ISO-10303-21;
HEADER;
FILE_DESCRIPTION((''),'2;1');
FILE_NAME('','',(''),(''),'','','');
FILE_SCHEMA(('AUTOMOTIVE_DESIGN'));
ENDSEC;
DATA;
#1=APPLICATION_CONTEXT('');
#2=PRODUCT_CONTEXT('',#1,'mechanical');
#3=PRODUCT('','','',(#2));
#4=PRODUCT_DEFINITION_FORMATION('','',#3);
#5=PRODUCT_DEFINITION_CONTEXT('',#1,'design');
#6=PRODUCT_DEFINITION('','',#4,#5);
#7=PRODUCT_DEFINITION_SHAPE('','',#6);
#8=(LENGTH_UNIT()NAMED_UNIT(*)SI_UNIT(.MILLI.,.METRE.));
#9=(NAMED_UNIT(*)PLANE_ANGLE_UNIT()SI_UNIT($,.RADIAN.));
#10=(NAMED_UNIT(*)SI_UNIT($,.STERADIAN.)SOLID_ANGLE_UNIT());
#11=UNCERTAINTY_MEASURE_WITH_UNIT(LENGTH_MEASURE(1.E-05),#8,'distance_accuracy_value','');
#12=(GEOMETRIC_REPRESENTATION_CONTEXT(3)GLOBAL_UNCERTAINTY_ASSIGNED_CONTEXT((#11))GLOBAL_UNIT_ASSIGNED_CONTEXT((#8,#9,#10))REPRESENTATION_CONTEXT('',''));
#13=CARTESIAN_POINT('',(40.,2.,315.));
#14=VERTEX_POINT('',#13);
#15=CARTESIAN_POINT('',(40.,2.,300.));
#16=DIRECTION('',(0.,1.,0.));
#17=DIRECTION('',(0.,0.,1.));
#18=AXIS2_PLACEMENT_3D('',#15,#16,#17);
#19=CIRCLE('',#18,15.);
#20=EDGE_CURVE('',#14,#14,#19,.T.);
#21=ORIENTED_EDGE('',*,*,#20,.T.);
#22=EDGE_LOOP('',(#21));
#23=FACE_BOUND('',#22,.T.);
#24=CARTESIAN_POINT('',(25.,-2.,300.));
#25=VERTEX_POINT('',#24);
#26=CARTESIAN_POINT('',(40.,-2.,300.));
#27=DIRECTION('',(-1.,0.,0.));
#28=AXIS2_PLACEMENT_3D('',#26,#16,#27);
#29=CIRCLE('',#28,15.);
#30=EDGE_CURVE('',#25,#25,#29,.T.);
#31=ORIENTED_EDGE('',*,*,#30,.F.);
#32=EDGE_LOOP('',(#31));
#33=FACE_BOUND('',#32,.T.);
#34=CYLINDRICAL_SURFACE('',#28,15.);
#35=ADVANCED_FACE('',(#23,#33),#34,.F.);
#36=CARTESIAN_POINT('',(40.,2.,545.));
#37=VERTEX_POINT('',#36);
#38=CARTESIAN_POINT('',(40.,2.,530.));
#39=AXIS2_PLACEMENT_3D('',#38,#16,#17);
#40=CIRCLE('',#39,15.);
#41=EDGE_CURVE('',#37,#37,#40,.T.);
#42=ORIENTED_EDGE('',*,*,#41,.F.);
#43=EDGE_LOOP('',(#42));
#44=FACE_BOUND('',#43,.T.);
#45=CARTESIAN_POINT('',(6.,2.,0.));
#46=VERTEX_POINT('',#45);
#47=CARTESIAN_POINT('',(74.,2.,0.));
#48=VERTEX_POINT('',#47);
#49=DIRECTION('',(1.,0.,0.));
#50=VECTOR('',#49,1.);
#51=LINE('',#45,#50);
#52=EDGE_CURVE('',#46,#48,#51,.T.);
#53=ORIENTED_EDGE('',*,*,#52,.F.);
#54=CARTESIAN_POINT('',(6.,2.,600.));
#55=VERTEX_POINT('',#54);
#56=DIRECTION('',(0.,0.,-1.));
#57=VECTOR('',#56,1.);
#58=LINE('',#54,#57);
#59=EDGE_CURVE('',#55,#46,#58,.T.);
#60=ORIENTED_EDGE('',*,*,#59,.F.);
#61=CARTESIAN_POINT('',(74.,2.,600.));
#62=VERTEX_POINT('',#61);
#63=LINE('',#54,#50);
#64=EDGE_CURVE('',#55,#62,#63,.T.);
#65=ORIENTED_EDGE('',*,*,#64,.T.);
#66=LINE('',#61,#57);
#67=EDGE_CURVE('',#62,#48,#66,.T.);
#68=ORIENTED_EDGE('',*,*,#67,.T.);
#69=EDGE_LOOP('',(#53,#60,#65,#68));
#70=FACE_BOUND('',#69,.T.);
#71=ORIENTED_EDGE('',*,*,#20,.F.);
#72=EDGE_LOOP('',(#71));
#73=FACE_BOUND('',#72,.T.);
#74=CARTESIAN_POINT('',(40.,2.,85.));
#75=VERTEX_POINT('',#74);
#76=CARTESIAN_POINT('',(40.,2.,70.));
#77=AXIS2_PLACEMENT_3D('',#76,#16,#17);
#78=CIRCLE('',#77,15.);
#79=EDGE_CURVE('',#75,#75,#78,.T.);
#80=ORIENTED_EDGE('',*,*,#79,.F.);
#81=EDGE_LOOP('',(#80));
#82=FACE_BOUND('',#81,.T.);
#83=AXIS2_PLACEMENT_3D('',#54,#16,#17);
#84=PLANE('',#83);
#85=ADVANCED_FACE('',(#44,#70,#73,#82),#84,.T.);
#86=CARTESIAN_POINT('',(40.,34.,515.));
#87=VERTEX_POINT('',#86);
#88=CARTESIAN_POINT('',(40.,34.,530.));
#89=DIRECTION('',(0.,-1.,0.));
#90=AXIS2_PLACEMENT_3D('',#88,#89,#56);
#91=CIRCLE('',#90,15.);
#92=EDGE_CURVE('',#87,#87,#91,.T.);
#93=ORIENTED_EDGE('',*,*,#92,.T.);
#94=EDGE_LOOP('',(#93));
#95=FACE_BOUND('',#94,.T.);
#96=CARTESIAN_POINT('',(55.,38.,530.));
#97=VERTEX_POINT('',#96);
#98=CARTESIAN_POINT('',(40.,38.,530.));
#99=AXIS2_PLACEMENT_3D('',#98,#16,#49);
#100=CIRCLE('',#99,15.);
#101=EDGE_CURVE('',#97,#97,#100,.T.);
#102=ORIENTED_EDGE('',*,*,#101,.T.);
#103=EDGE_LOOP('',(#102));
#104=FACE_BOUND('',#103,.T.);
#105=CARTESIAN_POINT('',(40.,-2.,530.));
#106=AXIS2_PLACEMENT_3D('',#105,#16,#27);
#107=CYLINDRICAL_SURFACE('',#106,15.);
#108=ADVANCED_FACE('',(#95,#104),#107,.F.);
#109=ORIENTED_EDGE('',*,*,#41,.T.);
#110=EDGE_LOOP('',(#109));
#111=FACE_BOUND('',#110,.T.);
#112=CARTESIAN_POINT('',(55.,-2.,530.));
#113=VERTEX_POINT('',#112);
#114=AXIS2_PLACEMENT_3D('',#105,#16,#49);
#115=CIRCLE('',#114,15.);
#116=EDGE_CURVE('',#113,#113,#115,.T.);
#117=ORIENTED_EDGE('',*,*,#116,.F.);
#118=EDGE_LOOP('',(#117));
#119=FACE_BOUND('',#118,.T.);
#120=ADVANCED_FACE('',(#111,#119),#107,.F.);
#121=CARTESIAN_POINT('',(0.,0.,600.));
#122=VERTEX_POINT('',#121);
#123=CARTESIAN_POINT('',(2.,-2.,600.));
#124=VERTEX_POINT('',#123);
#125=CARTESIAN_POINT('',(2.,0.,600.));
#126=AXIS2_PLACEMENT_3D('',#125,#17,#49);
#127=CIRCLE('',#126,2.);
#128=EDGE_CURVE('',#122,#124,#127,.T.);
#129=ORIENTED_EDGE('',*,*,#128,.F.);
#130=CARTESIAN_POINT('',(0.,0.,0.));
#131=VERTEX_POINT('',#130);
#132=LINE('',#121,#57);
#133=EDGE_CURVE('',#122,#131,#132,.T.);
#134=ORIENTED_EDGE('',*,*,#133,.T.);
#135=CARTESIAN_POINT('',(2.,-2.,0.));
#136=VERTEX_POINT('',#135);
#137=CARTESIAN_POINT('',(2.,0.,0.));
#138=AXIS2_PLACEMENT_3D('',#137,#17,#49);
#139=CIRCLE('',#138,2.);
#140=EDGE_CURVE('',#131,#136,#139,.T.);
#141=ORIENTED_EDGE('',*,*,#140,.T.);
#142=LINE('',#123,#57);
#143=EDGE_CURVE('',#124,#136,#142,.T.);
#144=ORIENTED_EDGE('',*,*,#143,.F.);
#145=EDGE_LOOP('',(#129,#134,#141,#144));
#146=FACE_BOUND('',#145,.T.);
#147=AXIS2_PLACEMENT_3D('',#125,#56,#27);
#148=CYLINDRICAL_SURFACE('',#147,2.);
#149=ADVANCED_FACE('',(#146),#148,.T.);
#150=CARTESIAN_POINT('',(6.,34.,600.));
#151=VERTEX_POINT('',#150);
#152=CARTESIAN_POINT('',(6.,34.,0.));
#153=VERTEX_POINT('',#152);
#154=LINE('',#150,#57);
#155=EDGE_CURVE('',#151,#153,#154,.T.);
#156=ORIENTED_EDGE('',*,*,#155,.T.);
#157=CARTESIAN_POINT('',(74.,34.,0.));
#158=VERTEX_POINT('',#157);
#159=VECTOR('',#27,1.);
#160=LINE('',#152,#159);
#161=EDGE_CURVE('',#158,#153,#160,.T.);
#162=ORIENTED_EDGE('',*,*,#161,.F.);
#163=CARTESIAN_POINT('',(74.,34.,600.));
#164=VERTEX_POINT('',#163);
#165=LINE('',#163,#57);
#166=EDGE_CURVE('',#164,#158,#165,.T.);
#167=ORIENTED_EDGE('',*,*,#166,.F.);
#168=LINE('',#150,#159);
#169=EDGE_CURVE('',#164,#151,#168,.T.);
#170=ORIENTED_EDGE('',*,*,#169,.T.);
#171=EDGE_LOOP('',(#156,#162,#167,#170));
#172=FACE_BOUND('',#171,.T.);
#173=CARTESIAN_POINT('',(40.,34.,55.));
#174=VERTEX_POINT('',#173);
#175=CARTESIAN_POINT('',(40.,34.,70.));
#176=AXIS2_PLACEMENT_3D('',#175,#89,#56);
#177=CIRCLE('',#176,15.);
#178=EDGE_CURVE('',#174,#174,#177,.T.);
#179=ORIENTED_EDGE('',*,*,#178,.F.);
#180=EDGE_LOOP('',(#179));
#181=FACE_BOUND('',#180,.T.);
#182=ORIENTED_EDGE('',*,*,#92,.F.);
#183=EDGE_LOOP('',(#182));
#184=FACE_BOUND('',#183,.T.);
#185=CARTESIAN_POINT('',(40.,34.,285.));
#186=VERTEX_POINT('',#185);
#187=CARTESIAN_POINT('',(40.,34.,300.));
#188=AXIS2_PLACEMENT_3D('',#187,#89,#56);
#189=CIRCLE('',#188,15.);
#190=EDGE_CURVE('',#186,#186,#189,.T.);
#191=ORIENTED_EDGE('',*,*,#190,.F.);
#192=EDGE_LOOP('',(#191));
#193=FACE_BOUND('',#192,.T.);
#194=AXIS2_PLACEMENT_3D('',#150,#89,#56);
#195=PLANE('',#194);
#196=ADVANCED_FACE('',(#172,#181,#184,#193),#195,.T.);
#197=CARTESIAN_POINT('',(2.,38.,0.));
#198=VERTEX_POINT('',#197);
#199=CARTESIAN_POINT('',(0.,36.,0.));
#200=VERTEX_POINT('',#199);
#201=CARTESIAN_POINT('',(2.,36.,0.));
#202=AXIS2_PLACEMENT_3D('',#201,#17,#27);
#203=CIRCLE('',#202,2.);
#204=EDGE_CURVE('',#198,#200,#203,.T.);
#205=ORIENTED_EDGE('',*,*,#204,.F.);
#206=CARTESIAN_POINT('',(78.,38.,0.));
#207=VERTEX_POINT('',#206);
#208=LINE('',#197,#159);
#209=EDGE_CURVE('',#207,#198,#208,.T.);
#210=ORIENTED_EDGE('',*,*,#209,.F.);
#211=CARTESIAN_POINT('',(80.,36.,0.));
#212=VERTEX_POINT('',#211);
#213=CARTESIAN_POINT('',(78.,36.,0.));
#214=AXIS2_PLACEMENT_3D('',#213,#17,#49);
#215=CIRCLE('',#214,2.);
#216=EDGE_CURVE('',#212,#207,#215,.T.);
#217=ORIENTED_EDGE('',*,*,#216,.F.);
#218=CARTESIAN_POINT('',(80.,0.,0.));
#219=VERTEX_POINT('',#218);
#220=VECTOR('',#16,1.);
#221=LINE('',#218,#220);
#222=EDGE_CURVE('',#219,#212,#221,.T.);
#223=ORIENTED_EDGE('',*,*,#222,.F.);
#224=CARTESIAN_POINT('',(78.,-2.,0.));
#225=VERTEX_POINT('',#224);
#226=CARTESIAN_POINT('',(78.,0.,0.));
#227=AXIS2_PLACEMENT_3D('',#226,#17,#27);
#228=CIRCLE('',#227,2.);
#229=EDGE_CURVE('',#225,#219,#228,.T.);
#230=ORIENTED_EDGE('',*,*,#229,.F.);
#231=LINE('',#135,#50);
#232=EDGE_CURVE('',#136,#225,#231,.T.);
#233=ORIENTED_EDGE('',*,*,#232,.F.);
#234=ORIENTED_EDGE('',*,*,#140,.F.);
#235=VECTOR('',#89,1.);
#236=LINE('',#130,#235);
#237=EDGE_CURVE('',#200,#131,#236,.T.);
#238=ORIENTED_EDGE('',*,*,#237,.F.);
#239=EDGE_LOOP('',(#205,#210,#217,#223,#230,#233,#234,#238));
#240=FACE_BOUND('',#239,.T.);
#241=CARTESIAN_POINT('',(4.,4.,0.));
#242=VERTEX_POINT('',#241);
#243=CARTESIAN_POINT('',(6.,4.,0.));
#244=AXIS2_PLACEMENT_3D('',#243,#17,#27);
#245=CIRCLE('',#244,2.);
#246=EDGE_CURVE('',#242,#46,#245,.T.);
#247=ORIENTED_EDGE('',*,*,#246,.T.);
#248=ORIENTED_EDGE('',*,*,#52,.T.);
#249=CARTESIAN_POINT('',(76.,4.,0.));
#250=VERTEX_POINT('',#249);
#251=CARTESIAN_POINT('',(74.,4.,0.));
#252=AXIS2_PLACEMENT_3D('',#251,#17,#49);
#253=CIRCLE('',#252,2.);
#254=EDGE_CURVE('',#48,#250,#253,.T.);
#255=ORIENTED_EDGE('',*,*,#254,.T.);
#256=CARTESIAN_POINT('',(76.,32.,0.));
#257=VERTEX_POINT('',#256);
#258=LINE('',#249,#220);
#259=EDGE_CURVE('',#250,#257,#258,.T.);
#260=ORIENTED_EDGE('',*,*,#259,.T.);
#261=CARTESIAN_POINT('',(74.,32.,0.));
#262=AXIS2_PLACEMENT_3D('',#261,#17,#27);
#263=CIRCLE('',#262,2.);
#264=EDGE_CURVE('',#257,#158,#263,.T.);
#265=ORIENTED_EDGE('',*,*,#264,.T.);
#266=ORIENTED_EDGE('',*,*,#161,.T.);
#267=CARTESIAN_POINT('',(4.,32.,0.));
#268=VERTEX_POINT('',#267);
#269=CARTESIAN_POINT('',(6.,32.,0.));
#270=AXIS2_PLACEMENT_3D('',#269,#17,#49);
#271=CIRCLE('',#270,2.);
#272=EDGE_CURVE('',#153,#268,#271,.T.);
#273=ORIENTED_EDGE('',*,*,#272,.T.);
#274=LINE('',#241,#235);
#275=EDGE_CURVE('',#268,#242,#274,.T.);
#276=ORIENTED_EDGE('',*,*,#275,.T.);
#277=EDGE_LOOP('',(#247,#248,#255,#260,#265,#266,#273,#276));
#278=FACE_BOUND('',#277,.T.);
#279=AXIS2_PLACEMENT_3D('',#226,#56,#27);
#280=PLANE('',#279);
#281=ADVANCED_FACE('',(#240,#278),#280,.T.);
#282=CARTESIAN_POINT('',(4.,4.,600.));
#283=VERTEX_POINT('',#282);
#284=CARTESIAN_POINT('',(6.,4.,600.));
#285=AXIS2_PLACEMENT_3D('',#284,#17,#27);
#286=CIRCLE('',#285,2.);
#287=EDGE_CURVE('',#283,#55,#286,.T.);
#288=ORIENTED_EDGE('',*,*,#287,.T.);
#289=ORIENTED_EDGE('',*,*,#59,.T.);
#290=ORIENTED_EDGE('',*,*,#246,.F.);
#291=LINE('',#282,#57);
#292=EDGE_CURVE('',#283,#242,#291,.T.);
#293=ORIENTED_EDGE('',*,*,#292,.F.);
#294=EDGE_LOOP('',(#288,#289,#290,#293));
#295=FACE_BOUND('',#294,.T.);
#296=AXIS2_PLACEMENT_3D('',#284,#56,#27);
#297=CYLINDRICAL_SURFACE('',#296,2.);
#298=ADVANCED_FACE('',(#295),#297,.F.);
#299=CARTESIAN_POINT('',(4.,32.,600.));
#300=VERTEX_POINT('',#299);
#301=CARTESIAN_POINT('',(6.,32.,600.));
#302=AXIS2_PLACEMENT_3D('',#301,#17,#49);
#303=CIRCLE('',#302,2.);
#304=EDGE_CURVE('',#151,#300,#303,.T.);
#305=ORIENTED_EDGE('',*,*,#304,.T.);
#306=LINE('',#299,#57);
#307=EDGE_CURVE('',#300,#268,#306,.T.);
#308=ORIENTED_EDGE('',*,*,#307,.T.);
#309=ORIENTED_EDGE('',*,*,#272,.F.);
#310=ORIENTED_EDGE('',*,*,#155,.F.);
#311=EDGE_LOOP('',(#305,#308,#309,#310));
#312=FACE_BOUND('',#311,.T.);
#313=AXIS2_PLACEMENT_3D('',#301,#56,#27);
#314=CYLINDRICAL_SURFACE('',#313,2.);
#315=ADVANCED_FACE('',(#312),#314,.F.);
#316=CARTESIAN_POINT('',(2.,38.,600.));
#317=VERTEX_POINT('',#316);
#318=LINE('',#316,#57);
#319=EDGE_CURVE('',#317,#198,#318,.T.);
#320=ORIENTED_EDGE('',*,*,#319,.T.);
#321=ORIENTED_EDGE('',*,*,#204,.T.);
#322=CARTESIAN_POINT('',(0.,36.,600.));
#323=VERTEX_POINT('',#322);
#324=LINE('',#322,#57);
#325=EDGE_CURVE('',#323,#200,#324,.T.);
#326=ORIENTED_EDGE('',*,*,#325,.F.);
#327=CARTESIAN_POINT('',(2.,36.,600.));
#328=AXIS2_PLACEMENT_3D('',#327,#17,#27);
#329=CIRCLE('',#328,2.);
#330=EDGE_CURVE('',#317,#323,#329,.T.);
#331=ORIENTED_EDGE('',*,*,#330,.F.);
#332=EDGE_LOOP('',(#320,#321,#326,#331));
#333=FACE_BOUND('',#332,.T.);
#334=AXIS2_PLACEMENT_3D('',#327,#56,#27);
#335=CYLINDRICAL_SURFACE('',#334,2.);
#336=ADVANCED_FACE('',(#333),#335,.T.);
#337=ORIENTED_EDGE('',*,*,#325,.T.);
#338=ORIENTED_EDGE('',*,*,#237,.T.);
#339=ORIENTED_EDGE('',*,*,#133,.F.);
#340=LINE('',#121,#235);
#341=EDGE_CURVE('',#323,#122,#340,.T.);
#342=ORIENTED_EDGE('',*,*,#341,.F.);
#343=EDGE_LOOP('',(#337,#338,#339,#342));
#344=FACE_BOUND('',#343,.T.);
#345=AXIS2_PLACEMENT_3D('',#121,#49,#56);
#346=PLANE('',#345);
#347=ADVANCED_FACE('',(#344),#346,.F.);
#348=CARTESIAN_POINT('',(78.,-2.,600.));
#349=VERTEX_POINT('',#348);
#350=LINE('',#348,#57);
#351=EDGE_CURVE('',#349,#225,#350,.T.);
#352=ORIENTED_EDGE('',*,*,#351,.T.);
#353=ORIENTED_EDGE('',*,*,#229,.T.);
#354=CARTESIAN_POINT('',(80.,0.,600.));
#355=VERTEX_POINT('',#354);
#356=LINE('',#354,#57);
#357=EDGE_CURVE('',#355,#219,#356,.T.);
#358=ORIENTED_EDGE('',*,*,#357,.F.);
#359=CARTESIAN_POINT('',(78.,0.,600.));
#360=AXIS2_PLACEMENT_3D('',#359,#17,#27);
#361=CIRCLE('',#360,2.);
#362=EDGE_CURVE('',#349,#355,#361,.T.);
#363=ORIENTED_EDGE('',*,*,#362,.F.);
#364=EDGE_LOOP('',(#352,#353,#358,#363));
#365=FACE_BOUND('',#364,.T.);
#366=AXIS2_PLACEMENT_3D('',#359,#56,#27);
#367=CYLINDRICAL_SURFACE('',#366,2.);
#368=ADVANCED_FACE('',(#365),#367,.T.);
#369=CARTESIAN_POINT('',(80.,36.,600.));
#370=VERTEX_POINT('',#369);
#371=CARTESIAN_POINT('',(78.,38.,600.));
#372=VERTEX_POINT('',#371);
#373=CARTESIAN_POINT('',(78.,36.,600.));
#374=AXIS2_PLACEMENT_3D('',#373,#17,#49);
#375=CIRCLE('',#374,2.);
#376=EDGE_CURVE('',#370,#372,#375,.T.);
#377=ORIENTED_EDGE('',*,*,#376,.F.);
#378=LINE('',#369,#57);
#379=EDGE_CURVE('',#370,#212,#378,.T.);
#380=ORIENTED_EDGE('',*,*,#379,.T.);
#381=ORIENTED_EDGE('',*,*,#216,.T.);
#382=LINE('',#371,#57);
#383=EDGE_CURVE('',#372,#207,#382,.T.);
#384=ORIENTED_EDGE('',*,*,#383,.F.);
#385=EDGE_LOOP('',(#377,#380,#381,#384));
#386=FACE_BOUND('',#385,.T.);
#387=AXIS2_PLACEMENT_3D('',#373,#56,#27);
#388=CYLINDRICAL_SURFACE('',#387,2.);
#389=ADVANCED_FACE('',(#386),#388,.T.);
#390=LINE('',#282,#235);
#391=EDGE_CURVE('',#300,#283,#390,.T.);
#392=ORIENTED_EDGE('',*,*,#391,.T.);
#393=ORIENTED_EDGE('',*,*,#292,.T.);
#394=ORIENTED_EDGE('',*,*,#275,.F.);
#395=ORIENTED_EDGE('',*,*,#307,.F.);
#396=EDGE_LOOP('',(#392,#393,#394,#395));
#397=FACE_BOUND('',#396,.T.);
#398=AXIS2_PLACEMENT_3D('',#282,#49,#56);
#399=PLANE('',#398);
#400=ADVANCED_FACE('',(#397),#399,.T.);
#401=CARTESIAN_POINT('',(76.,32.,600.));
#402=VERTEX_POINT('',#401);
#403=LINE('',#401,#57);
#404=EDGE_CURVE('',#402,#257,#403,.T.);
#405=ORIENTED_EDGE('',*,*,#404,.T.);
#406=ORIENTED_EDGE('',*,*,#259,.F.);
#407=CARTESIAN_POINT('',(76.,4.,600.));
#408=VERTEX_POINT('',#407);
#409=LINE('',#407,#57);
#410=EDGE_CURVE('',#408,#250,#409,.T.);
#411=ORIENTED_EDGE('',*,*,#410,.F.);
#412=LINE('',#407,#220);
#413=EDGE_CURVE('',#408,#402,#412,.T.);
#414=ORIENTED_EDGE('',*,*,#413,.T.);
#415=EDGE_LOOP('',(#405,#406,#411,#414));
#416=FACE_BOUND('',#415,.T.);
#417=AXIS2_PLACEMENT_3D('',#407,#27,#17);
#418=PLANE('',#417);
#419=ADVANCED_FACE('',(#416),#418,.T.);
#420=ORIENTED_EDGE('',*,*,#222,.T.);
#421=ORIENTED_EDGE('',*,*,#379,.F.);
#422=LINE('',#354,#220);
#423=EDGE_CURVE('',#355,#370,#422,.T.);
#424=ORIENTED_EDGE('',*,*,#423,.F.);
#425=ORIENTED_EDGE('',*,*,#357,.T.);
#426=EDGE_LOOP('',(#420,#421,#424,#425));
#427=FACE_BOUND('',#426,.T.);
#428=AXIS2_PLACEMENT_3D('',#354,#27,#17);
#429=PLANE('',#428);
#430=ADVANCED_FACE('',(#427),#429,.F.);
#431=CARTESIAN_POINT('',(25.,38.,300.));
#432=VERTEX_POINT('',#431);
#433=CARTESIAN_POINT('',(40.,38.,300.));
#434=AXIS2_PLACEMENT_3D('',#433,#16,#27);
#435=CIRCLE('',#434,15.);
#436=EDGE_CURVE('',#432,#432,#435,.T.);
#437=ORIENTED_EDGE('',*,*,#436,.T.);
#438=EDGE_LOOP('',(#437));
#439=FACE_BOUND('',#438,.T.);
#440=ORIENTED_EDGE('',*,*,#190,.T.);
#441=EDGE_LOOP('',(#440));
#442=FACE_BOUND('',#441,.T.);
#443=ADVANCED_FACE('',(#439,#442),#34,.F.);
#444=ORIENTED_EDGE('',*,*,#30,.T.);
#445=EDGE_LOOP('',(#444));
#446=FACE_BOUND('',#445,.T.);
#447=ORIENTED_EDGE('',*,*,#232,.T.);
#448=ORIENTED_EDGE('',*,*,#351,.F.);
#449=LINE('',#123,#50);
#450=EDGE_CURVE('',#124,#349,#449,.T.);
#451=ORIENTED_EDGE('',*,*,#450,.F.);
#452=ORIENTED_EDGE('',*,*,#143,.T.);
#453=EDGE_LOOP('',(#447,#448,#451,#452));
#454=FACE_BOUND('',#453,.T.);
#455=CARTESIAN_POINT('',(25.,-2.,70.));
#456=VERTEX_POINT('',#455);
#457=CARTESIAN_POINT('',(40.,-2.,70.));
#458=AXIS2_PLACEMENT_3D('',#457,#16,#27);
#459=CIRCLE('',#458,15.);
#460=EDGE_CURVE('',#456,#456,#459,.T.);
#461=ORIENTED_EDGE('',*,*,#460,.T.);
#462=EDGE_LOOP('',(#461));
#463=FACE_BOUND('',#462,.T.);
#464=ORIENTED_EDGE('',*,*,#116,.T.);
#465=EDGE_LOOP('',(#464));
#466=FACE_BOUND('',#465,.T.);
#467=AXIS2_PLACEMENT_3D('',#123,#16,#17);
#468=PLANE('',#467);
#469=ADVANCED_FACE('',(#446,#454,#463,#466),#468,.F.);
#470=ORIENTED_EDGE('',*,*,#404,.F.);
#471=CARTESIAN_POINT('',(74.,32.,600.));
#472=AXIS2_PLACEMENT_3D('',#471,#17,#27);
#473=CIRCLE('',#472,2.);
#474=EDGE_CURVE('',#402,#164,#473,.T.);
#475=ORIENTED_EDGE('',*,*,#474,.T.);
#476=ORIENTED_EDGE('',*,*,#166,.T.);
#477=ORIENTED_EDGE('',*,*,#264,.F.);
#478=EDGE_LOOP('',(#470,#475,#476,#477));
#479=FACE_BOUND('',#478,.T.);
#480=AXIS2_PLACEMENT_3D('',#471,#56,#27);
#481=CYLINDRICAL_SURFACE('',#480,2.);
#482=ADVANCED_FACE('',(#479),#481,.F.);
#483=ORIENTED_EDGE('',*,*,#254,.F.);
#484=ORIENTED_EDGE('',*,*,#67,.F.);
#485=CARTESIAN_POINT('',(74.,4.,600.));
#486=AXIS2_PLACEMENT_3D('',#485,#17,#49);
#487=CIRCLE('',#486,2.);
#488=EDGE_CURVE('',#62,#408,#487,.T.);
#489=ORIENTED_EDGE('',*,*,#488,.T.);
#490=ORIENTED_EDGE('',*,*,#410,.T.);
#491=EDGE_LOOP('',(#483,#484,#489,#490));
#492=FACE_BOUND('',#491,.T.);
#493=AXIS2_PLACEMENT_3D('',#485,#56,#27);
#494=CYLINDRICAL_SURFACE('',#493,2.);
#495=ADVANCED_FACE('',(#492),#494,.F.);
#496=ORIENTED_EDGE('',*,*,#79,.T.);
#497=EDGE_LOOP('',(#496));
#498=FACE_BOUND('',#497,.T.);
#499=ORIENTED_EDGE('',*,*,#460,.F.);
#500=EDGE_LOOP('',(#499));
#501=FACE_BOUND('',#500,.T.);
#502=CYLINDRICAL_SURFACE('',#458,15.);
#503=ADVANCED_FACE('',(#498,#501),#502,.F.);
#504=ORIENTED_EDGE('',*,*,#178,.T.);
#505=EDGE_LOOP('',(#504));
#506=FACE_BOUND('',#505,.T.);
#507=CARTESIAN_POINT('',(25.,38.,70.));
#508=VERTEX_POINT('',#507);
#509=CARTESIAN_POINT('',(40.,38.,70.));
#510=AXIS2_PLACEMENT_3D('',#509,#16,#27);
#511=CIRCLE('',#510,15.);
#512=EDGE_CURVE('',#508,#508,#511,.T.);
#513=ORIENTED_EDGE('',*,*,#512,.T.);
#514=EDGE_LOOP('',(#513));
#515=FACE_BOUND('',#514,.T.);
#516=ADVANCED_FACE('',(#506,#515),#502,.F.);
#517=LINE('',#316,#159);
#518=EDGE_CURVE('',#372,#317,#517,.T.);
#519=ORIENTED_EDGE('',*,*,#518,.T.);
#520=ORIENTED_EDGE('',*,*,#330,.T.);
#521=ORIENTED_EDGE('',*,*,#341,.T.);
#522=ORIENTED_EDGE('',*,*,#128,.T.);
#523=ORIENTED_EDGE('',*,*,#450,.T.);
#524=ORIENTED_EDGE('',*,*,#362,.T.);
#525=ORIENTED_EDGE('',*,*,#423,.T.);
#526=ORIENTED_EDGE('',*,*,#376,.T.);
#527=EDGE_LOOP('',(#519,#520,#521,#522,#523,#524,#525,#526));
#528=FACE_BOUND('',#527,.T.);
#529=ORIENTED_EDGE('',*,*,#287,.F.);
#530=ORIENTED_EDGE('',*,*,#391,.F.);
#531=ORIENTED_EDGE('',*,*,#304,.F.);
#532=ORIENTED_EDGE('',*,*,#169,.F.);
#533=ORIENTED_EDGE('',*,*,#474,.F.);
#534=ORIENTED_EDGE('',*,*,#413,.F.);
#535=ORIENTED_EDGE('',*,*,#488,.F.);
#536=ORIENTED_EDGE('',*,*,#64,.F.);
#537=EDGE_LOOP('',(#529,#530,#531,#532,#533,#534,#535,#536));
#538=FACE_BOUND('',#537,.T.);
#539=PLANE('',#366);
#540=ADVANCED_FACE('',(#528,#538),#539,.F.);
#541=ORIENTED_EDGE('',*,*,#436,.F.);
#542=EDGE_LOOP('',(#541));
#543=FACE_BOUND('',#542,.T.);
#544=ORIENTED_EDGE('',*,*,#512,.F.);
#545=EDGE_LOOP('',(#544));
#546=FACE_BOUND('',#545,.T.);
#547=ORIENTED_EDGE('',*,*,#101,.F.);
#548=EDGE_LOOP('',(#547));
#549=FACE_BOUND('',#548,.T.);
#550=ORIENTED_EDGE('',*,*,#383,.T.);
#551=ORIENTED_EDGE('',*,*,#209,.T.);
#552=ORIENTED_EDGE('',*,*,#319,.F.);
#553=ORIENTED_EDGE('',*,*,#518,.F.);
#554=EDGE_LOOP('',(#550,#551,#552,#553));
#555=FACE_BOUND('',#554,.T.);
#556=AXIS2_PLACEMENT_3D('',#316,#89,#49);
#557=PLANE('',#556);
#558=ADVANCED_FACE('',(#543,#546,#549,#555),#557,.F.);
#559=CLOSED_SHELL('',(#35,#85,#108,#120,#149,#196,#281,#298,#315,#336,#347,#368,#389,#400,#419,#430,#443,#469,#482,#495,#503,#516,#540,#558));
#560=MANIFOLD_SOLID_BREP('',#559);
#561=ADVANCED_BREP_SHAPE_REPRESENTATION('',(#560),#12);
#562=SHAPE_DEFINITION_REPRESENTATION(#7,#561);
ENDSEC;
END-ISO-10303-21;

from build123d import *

# Parameters (mm, degrees)
BOSS_EXTRU_1_DEPTH      = 600
ESQUISSE2_R             = 15
ENL_V_MAT_EXTRU_1_DEPTH = 607.630035524


with BuildPart() as part:
    # Esquisse1 → Boss.-Extru.1 (new body)
    with BuildSketch(Plane.XY):
        with BuildLine():
            Line((2, -2), (78, -2))
            ThreePointArc((78, -2), (79.414213562, -1.414213562), (80, 0))
            Line((80, 0), (80, 36))
            ThreePointArc((80, 36), (79.414213562, 37.414213562), (78, 38))
            Line((78, 38), (2, 38))
            ThreePointArc((2, 38), (0.585786438, 37.414213562), (0, 36))
            Line((0, 36), (0, 0))
            ThreePointArc((0, 0), (0.585786438, -1.414213562), (2, -2))
        make_face()
        with BuildLine():
            Line((4, 4), (4, 32))
            ThreePointArc((4, 32), (4.585786438, 33.414213562), (6, 34))
            Line((6, 34), (74, 34))
            ThreePointArc((74, 34), (75.414213562, 33.414213562), (76, 32))
            Line((76, 32), (76, 4))
            ThreePointArc((76, 4), (75.414213562, 2.585786438), (74, 2))
            Line((74, 2), (6, 2))
            ThreePointArc((6, 2), (4.585786438, 2.585786438), (4, 4))
        make_face(mode=Mode.SUBTRACT)
    extrude(amount=BOSS_EXTRU_1_DEPTH)

    # Esquisse2 → Enlèv. mat.-Extru.1 (cut, through all)
    with BuildSketch(Plane(origin=(0, 38, 0), x_dir=(1, 0, 0), z_dir=(0, 1, 0))):
        with Locations(Location((40, -300, 0), (0, 0, 180))):
            Circle(ESQUISSE2_R)
        with Locations(Location((40, -70, 0), (0, 0, 180))):
            Circle(ESQUISSE2_R)
        with Locations(Location((40, -530, 0), (0, 0, 270))):
            Circle(ESQUISSE2_R)
    extrude(amount=-ENL_V_MAT_EXTRU_1_DEPTH, mode=Mode.SUBTRACT)


solid = part.part
